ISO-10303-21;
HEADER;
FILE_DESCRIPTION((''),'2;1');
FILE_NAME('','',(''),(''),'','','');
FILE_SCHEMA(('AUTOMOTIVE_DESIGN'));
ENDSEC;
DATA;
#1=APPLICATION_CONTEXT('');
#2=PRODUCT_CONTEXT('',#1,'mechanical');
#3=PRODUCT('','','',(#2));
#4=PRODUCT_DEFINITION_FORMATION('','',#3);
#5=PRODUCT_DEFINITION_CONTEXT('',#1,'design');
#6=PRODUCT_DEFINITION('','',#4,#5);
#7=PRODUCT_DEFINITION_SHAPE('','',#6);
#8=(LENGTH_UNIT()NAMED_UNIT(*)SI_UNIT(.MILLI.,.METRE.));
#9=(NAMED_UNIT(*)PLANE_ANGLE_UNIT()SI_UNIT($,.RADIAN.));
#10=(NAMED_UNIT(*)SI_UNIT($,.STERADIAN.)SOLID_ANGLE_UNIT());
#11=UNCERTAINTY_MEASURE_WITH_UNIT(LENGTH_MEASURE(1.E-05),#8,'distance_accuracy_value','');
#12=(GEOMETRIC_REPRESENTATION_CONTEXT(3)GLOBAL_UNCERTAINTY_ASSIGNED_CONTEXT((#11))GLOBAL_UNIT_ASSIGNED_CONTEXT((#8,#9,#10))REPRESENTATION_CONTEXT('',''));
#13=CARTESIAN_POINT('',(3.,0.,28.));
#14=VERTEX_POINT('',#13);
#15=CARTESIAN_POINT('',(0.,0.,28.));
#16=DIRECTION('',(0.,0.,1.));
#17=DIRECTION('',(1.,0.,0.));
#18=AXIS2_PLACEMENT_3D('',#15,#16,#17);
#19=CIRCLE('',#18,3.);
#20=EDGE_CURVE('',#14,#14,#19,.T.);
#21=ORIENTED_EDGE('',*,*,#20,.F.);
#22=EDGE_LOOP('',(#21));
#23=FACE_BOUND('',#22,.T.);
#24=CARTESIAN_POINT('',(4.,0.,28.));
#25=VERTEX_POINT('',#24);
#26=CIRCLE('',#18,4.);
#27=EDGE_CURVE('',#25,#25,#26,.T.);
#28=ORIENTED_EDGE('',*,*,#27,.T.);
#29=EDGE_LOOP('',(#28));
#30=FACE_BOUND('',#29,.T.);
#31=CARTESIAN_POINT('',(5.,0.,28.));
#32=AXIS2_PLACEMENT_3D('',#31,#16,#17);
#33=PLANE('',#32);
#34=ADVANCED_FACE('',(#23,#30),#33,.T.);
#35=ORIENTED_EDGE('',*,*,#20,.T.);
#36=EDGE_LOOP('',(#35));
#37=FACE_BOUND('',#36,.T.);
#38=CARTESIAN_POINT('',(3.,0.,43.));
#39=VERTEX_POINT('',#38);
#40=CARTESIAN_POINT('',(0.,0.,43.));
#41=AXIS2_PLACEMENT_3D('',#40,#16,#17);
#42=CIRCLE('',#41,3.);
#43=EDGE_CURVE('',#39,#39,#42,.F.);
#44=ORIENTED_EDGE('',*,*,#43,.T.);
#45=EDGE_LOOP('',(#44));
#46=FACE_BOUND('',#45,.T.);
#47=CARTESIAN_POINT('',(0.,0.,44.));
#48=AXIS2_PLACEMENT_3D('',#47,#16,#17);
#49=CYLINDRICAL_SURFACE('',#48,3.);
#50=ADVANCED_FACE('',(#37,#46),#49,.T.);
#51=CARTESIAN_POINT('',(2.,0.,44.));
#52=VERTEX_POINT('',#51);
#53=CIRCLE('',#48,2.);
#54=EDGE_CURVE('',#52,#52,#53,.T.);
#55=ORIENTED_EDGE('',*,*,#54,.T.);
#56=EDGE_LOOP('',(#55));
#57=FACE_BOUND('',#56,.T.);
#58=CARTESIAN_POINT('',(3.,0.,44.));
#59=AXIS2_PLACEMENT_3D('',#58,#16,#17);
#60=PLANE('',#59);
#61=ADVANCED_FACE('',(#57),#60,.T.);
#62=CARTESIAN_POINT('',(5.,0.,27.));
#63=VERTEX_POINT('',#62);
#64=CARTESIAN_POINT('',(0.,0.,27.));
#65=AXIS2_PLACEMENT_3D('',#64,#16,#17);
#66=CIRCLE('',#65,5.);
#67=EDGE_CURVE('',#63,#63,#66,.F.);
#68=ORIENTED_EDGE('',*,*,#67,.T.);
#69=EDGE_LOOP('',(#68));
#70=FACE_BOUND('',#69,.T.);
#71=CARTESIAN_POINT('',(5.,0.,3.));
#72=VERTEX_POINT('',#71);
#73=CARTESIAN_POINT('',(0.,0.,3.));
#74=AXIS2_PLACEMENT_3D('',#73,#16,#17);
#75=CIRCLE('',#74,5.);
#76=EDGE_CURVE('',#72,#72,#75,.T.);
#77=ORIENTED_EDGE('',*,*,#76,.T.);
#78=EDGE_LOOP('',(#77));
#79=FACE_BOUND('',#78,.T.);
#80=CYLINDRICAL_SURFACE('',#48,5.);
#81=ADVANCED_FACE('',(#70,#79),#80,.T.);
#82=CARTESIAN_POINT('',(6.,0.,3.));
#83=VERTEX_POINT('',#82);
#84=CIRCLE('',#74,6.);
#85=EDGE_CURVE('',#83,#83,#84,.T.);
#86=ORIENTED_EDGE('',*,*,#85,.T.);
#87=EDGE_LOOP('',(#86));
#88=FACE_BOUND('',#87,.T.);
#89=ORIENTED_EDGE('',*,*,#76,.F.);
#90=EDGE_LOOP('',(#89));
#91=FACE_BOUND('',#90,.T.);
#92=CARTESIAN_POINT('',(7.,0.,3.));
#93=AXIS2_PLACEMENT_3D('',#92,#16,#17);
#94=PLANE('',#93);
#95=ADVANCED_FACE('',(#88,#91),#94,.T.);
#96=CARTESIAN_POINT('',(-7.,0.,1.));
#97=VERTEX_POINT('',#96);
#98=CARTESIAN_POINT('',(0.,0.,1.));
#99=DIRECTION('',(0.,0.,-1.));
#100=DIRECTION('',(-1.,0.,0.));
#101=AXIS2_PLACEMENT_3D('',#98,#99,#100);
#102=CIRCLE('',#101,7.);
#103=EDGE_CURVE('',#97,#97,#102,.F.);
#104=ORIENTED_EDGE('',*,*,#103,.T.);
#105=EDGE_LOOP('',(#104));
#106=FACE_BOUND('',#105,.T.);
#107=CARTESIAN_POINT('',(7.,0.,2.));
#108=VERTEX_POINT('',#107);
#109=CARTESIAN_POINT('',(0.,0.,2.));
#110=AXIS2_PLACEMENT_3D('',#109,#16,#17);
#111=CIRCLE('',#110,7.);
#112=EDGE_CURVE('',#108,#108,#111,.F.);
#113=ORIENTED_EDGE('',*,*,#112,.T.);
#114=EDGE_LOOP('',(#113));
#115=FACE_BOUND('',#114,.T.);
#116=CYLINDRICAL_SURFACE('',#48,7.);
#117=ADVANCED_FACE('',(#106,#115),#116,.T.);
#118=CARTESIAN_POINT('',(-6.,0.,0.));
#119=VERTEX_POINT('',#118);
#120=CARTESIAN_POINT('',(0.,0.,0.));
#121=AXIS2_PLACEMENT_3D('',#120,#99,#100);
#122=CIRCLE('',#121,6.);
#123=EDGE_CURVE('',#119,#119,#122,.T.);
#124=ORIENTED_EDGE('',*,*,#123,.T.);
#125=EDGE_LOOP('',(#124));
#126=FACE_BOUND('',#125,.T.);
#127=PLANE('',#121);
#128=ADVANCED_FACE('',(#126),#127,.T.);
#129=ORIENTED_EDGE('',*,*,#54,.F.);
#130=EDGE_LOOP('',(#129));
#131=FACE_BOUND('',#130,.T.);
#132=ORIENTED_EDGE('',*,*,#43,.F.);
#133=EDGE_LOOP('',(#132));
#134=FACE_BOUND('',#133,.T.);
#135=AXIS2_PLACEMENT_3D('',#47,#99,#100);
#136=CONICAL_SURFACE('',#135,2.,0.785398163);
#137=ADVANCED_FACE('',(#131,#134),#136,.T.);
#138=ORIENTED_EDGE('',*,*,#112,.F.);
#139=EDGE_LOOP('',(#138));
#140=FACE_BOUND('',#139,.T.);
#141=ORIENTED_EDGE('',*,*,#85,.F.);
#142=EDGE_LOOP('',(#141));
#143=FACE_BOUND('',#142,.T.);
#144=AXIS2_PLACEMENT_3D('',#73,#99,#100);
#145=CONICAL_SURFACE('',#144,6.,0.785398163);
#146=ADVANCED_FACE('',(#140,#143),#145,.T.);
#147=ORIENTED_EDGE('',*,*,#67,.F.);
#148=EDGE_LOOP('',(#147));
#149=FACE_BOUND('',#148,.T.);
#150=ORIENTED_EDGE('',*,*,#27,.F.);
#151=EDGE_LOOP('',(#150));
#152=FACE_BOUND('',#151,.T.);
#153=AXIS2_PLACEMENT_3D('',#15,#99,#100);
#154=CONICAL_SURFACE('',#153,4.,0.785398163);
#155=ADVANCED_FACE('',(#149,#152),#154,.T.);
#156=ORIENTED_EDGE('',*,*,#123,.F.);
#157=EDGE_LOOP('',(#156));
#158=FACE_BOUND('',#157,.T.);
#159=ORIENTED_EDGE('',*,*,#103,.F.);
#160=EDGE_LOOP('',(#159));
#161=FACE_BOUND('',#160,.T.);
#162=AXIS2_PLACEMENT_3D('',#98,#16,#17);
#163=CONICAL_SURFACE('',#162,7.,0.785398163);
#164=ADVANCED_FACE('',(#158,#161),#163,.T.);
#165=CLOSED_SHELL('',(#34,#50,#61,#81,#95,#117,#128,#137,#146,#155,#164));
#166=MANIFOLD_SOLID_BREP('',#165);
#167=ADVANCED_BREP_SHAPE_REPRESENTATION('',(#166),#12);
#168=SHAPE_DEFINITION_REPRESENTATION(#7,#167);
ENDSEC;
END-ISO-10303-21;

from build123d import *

# Parameters (mm, degrees)
CHAMFER1_SIZE = 1


with BuildPart() as part:
    # Sketch1 → Revolve1 (revolve)
    with BuildSketch(Plane(origin=(0, 0, 0), x_dir=(1, 0, 0), z_dir=(0, 1, 0))):
        Polygon((0, 0), (7, 0), (7, -3), (5, -3), (5, -28), (3, -28), (3, -44), (0, -44), align=None)
    revolve(axis=Axis((0, 0, 44), (0, 0, -1)))

    # Chamfer1
    chamfer1_edges = [part.edges().sort_by_distance(p)[0] for p in [
        (-3, 0, 44),
        (-5, 0, 28),
        (-7, 0, 3),
        (-7, 0, 0),
    ]]
    chamfer(chamfer1_edges, length=CHAMFER1_SIZE)


solid = part.part
